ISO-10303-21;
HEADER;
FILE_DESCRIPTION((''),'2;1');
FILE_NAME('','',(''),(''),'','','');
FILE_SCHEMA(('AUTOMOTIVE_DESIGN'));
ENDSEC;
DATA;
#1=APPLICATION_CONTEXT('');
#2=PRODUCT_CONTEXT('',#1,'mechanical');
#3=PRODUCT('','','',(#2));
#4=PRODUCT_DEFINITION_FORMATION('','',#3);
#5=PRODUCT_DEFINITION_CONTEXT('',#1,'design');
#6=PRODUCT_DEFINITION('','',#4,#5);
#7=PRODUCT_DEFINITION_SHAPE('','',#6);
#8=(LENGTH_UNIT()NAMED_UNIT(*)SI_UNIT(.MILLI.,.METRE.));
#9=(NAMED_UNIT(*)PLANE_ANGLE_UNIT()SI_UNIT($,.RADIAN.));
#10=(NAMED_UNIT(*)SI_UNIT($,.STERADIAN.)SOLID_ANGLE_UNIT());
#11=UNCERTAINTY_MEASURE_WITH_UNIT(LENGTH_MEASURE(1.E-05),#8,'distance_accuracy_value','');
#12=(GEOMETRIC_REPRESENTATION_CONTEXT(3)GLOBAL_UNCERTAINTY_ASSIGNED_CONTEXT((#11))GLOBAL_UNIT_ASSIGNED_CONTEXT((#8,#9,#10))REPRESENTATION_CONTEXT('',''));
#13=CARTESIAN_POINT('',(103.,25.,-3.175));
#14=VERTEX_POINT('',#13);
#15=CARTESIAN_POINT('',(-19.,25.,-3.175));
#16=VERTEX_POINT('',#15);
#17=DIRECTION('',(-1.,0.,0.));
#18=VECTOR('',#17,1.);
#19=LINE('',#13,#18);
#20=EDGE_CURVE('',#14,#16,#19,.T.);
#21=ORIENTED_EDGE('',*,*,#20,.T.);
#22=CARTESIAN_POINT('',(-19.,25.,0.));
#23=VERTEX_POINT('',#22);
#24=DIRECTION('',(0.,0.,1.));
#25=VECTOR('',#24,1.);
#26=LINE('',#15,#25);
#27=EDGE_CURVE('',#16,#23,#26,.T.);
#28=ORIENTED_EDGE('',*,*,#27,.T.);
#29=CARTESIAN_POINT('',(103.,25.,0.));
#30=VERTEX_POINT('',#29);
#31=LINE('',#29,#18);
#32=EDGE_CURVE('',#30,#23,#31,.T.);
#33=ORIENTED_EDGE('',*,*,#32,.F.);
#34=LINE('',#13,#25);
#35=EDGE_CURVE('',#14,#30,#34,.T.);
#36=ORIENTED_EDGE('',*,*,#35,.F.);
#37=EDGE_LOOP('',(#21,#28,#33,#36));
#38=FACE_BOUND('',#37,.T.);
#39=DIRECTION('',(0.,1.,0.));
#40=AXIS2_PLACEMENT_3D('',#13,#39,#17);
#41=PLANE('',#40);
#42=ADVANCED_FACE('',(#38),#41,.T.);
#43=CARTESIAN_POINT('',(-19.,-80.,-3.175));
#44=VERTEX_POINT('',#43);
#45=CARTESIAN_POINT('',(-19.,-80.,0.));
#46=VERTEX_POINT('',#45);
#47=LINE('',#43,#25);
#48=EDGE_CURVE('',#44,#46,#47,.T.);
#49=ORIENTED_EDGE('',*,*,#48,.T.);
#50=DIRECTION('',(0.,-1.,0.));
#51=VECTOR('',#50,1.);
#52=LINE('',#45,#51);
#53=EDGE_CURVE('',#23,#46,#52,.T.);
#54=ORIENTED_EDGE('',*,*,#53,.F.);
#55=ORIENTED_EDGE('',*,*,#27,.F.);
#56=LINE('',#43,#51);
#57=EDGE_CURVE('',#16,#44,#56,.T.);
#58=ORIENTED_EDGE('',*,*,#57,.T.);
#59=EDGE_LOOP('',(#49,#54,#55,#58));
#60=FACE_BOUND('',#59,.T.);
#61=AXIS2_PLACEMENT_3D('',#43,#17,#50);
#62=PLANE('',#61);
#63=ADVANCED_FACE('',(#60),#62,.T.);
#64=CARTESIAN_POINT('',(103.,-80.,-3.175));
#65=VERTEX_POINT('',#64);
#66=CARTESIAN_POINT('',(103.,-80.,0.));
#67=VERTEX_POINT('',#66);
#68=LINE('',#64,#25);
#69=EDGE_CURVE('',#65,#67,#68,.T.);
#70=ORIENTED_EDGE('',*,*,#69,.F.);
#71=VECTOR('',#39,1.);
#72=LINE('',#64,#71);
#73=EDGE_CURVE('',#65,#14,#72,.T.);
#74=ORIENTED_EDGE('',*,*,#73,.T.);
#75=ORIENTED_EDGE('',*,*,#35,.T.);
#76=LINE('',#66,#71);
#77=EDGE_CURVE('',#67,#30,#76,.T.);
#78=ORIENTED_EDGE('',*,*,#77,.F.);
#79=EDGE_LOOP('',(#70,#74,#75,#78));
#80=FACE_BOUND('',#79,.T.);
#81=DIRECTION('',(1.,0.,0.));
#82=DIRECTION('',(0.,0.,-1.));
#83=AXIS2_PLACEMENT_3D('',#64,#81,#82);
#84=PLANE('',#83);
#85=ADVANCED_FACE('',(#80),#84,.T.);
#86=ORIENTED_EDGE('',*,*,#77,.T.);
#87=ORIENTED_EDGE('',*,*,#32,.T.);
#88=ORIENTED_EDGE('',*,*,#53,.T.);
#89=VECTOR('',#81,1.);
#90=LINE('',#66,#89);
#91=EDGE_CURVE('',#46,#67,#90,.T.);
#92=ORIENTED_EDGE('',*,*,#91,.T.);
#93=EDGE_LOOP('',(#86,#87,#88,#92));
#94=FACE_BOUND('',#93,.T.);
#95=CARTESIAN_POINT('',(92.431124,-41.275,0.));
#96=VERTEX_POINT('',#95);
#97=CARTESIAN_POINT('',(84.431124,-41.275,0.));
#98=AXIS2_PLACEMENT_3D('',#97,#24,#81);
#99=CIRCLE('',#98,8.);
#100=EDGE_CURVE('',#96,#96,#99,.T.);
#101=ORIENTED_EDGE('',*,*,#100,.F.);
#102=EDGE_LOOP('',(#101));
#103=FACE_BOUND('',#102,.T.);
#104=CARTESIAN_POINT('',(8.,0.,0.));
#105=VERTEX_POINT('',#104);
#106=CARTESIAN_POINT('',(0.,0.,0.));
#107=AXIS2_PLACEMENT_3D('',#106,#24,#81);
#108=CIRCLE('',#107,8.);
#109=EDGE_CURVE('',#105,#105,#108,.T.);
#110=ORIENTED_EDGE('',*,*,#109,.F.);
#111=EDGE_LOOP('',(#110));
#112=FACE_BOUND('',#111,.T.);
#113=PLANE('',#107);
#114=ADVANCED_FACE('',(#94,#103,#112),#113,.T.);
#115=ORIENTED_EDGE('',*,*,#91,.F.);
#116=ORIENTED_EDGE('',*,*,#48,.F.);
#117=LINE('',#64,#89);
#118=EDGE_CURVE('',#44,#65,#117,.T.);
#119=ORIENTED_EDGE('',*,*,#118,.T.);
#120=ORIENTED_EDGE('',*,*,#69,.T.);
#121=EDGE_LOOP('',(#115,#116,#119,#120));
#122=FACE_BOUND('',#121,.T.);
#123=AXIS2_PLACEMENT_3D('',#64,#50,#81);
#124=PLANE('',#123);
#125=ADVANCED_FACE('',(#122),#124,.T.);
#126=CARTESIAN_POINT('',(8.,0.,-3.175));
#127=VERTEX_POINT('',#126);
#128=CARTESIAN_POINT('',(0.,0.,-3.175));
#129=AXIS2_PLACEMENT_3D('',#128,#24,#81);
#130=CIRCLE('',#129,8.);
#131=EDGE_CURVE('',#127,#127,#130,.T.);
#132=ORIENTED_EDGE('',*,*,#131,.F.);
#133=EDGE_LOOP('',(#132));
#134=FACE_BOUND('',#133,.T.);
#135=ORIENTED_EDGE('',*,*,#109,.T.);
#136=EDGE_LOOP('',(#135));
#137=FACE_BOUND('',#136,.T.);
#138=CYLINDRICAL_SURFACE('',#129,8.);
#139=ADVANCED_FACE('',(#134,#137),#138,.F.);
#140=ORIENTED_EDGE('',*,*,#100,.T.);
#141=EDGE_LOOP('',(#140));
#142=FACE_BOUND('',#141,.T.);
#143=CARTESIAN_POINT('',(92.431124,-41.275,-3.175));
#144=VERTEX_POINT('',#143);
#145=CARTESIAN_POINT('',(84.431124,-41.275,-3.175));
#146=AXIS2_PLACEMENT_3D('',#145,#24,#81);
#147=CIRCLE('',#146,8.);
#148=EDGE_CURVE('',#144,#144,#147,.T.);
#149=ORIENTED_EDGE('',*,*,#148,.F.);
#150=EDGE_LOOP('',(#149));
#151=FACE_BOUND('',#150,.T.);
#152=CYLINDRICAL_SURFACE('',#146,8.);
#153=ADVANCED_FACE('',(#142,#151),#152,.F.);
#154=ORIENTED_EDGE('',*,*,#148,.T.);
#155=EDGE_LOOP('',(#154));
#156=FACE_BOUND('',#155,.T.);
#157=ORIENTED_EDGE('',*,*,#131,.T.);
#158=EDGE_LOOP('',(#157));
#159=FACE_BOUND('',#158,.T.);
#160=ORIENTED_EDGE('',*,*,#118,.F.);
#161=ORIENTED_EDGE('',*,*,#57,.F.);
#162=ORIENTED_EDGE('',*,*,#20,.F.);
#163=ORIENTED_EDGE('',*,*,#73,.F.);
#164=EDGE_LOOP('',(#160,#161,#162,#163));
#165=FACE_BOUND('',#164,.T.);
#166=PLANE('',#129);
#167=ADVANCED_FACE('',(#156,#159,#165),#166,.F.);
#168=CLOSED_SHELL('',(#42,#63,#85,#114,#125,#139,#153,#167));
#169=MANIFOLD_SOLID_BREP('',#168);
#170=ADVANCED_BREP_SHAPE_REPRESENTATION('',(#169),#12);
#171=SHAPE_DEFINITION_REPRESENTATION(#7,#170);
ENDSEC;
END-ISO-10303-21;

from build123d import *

# Parameters (mm, degrees)
SKETCH1_W           = 122
SKETCH1_H           = 105
SKETCH1_R           = 8
BOSS_EXTRUDE1_DEPTH = 3.175


with BuildPart() as part:
    # Sketch1 → Boss-Extrude1 (new body)
    with BuildSketch(Plane.XY):
        with Locations((42, -27.5)):
            Rectangle(SKETCH1_W, SKETCH1_H)
        with Locations((84.431124445, -41.275)):
            Circle(SKETCH1_R, mode=Mode.SUBTRACT)
        Circle(SKETCH1_R, mode=Mode.SUBTRACT)
    extrude(amount=-BOSS_EXTRUDE1_DEPTH)


solid = part.part
